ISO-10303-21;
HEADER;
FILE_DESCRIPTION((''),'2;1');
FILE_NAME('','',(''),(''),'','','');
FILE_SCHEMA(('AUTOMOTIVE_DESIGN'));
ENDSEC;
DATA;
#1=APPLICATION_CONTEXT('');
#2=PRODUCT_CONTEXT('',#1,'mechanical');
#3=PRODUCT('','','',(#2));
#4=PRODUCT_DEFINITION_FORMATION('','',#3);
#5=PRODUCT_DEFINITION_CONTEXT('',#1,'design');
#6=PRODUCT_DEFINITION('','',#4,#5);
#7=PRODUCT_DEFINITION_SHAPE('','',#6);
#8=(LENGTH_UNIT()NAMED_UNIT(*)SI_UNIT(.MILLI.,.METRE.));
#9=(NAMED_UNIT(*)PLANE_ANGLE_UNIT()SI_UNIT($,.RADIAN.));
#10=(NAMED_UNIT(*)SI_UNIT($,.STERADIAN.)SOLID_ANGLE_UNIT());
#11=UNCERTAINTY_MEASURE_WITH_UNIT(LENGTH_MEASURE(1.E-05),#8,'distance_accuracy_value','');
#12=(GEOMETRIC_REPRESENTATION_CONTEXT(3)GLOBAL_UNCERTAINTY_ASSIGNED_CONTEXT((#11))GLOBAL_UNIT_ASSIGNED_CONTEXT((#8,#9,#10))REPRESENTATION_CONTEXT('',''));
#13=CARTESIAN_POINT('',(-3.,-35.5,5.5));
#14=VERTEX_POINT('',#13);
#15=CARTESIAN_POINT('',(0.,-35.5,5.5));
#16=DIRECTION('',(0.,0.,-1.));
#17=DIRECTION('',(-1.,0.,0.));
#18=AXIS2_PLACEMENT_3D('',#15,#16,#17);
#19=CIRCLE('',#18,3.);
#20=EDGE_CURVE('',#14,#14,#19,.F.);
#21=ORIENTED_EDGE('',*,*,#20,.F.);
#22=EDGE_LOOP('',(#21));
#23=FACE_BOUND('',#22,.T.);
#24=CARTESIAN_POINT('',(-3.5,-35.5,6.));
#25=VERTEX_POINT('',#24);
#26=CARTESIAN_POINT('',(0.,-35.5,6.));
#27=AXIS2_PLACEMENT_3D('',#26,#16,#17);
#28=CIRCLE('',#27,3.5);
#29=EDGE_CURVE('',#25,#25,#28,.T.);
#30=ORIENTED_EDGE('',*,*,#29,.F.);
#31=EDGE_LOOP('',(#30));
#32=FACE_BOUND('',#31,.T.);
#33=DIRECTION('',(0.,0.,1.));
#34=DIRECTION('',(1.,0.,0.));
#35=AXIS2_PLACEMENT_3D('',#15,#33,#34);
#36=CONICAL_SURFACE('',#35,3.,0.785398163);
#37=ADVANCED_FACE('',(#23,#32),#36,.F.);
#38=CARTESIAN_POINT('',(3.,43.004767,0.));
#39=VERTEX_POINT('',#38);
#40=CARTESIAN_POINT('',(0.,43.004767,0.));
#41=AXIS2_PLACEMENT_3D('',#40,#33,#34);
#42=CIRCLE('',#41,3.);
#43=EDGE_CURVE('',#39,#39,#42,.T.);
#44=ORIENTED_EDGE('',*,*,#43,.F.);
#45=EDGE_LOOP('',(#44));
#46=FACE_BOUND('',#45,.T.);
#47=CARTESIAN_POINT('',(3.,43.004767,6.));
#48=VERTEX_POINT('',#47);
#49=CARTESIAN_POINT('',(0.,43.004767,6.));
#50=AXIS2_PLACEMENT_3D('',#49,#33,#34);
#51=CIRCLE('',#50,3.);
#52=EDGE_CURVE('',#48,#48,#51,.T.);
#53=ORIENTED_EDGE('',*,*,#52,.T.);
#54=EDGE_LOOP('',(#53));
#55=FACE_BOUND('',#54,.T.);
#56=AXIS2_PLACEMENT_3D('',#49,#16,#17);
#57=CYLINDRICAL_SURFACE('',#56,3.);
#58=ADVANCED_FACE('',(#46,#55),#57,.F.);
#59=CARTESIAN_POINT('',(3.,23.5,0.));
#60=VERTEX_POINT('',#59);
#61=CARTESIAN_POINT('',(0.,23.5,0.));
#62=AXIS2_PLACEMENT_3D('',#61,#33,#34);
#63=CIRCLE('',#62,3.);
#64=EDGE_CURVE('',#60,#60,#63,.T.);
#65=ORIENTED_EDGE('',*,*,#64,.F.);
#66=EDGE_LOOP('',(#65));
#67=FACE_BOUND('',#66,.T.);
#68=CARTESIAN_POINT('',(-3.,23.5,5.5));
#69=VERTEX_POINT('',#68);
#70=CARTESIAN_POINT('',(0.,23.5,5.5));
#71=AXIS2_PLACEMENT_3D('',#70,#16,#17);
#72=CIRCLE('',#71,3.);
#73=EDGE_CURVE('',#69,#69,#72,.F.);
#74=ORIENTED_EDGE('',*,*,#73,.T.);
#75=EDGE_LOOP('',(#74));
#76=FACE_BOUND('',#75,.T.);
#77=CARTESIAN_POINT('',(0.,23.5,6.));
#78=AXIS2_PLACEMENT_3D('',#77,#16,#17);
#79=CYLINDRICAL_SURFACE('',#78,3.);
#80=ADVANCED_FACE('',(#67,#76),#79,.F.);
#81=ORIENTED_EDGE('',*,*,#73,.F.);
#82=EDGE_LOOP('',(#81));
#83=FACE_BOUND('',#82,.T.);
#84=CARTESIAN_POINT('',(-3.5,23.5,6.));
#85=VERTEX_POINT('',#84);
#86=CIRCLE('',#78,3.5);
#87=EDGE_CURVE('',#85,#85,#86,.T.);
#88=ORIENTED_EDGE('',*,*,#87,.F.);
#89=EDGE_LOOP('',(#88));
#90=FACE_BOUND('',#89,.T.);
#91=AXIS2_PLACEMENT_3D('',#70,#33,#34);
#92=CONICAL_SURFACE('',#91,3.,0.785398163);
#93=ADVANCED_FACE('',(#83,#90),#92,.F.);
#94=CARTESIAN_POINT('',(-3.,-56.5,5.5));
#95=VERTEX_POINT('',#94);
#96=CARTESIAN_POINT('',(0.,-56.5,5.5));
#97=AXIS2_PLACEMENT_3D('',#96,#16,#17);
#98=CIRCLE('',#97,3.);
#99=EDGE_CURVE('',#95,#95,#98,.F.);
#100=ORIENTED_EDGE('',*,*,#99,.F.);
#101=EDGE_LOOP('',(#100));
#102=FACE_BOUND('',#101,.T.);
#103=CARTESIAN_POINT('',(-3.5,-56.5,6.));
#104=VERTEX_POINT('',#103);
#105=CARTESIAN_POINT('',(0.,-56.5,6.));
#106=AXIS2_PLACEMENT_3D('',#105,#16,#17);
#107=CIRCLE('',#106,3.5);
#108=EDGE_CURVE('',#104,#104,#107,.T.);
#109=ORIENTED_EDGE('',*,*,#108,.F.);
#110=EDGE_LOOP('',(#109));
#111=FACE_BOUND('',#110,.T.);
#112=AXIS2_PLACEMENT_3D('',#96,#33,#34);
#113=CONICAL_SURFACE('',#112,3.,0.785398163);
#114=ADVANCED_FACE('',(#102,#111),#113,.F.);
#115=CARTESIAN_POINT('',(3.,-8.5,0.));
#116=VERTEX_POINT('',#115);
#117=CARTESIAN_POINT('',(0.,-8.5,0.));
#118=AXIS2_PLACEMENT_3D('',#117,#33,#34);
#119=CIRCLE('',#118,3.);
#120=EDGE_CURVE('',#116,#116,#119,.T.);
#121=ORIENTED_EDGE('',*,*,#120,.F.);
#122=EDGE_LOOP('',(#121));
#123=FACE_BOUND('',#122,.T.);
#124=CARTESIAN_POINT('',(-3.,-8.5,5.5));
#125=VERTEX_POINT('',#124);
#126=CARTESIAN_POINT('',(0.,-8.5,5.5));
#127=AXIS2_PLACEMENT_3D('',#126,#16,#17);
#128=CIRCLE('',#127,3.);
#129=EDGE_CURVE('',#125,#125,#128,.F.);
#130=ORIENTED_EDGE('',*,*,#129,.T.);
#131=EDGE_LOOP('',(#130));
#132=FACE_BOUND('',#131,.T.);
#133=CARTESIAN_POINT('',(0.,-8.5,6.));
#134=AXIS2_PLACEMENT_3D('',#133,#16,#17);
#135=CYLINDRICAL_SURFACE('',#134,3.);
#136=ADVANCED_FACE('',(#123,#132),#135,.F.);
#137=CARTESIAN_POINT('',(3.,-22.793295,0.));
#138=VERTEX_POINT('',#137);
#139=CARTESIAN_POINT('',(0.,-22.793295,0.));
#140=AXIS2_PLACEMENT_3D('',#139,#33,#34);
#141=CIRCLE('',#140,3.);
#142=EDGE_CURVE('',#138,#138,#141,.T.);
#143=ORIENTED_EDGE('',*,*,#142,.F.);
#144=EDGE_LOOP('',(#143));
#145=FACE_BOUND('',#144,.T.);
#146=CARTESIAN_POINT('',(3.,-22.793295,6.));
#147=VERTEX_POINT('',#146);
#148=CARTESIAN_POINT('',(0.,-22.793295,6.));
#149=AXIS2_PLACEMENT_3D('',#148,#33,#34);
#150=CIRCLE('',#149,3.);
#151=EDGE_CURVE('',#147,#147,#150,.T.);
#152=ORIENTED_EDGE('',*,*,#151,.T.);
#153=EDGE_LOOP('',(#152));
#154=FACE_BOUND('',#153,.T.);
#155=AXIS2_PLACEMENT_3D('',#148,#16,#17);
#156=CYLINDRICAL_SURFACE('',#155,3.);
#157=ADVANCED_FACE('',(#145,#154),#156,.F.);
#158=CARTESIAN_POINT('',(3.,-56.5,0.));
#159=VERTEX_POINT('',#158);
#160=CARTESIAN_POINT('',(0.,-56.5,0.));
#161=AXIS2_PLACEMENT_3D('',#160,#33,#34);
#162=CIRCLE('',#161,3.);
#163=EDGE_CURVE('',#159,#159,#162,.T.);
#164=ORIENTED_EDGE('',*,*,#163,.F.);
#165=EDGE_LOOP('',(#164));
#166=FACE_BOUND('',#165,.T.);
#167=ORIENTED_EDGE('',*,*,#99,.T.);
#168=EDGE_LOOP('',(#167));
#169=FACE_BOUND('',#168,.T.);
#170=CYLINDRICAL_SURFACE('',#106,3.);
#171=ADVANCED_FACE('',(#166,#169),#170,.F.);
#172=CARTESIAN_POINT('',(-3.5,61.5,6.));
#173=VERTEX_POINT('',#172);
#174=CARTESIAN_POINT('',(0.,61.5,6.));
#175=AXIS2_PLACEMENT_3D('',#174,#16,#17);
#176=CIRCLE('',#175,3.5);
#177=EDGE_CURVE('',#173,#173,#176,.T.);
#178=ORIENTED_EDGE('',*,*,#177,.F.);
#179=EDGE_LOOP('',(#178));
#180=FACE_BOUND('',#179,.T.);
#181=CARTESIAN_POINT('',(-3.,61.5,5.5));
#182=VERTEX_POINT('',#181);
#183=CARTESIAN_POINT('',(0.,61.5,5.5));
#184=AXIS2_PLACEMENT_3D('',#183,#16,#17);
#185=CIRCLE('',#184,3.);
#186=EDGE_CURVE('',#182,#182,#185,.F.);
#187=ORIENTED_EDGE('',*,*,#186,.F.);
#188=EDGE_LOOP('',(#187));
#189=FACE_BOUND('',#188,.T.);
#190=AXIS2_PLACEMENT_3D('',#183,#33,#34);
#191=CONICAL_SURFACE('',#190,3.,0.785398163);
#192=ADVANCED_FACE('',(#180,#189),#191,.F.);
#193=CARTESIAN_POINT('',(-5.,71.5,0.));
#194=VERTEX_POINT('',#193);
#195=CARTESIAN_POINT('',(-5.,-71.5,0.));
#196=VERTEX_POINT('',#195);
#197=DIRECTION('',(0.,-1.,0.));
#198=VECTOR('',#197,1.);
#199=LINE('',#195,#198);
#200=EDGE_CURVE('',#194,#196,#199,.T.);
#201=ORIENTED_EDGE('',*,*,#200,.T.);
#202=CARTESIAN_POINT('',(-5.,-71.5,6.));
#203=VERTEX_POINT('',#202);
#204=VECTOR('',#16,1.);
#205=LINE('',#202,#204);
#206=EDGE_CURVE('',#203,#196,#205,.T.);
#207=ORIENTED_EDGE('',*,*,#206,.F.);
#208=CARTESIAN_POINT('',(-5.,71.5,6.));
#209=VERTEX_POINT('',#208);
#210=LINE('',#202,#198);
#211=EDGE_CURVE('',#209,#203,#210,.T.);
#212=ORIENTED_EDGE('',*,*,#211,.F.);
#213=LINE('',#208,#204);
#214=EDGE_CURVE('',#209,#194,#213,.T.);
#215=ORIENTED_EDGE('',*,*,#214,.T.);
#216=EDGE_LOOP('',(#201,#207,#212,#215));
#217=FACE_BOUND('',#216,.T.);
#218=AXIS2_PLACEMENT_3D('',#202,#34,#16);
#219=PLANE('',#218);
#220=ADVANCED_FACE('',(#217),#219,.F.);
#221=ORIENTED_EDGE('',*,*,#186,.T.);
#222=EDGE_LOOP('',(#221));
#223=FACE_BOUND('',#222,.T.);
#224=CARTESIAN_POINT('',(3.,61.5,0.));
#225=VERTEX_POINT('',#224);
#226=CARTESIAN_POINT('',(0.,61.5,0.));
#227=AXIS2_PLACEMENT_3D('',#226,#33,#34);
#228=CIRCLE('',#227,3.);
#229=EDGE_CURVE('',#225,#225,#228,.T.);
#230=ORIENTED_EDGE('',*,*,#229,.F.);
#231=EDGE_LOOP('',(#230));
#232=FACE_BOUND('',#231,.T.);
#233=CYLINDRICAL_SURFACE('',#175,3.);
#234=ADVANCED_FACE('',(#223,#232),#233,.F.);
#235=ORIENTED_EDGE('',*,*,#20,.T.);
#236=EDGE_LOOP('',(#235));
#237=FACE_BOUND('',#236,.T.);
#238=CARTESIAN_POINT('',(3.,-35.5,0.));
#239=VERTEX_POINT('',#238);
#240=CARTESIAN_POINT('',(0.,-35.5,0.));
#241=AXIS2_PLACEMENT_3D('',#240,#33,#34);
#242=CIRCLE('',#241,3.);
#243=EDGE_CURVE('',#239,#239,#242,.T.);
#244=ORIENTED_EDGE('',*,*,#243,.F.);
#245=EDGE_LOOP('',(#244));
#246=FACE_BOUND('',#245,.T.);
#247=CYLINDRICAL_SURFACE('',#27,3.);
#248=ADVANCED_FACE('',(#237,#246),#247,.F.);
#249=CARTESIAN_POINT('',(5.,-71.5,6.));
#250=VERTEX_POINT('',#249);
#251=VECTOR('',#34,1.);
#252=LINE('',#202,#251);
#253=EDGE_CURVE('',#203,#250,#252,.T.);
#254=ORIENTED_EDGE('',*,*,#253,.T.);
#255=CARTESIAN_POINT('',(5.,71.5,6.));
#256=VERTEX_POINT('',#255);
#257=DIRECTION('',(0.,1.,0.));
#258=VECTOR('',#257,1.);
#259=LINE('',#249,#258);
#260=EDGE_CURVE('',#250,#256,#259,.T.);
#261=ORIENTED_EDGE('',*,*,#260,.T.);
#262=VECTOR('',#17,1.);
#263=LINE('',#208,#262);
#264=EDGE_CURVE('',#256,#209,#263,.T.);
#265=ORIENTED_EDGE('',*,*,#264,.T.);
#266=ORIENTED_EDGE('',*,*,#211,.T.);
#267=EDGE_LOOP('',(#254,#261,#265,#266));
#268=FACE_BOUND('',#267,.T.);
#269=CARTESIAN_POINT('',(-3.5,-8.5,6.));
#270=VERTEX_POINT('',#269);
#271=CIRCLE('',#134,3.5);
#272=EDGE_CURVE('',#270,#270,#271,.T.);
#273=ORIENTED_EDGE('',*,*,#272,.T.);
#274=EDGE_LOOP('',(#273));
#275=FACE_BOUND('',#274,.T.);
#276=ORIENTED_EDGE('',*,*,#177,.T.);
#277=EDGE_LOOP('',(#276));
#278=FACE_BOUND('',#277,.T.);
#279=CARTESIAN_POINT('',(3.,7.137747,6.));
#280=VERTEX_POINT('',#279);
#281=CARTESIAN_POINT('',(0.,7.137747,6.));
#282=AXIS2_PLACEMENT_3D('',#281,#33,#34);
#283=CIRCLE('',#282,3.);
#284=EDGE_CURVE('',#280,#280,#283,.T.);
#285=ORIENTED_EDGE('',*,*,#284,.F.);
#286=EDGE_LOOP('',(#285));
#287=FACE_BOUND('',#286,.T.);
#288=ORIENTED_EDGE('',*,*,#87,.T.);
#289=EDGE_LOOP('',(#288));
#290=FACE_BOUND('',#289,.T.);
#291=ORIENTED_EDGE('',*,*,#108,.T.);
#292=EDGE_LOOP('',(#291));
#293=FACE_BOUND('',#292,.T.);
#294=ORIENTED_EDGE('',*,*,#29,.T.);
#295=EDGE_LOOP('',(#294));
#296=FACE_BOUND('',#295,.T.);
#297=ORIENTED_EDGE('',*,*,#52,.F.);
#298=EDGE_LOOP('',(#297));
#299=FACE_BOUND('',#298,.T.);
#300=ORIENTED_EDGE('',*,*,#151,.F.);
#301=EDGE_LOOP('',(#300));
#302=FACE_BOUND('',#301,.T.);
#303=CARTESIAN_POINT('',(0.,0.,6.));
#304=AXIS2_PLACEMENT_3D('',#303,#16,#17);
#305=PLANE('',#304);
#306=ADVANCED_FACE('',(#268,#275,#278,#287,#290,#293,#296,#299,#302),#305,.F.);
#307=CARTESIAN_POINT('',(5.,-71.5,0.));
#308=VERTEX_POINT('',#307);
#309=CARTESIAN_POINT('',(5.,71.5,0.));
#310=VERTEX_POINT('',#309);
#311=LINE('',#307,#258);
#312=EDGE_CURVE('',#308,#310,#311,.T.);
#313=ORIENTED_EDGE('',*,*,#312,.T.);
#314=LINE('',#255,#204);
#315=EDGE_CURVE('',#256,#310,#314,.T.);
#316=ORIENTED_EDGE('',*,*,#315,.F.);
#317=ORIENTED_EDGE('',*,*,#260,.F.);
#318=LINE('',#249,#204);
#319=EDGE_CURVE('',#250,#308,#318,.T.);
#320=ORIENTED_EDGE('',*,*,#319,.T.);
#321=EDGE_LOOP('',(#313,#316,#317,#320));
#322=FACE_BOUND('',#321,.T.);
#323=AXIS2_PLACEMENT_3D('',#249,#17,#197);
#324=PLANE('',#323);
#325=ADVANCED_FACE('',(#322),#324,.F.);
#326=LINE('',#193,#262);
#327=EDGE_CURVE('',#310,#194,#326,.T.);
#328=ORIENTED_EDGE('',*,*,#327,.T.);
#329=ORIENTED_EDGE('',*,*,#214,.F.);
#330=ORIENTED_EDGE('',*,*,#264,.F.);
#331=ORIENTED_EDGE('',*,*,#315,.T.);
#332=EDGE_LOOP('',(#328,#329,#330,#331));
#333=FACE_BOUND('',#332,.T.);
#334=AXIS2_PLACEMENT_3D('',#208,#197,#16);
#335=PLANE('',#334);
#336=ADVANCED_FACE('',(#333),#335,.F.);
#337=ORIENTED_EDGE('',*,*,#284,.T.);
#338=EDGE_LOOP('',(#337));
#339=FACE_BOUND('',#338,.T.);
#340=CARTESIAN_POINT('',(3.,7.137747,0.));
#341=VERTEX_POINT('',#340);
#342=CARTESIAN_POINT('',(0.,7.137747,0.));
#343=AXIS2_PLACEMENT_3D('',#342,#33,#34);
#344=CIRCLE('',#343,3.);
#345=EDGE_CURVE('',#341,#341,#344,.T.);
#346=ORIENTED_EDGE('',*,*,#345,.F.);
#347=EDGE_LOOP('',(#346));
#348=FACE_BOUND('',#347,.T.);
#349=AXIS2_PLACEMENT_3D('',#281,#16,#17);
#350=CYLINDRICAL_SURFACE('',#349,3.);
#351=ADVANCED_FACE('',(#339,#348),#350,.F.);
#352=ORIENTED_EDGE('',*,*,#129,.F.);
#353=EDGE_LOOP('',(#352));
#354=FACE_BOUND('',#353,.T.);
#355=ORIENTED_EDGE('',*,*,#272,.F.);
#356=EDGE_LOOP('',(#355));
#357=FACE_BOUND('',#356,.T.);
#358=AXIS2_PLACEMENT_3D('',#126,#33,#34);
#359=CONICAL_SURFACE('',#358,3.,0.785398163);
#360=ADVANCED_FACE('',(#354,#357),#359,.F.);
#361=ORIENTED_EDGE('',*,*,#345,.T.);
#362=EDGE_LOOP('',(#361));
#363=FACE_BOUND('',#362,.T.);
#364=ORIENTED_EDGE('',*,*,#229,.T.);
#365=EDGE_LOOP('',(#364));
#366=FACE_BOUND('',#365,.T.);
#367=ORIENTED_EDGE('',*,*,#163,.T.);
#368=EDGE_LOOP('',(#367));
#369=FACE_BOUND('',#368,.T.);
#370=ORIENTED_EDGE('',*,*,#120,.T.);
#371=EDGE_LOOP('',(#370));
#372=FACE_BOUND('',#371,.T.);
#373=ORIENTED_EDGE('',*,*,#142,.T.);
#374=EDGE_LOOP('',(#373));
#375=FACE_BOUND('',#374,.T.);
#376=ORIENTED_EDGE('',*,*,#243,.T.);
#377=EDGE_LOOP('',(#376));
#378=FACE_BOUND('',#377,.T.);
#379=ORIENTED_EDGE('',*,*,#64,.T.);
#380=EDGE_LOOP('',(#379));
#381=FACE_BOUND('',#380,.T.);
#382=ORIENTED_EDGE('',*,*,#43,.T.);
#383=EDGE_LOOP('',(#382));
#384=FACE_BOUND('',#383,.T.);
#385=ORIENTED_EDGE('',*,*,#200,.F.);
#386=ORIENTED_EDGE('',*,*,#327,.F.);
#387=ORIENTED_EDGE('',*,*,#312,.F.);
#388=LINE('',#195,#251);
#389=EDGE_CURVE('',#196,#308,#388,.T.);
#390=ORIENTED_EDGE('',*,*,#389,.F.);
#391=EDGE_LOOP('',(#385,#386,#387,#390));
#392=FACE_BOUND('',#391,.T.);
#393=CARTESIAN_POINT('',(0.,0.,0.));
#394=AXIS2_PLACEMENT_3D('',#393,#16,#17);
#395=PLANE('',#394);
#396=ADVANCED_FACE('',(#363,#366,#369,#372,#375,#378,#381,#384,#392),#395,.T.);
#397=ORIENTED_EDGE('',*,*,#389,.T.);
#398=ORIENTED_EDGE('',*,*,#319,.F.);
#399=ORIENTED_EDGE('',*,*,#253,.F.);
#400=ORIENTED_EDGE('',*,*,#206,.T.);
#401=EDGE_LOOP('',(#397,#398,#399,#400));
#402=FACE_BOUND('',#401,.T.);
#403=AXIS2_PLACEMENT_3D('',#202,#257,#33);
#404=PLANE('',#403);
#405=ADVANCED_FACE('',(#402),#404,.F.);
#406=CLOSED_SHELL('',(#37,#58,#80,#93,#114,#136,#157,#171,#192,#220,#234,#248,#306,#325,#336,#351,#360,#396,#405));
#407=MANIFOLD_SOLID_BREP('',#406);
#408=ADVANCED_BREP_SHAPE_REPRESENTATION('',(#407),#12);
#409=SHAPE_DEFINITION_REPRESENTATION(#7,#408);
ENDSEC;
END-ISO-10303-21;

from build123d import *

# Parameters (mm, degrees)
SKETCH1_W           = 10
SKETCH1_H           = 143
SKETCH1_R           = 3
BOSS_EXTRUDE1_DEPTH = 6
CHAMFER1_SIZE       = 0.5


with BuildPart() as part:
    # Sketch1 → Boss-Extrude1 (new body)
    with BuildSketch(Plane.XY):
        Rectangle(SKETCH1_W, SKETCH1_H)
        with Locations((0, -56.5)):
            Circle(SKETCH1_R, mode=Mode.SUBTRACT)
        with Locations((0, -35.5)):
            Circle(SKETCH1_R, mode=Mode.SUBTRACT)
        with Locations((0, -8.5)):
            Circle(SKETCH1_R, mode=Mode.SUBTRACT)
        with Locations((0, 23.5)):
            Circle(SKETCH1_R, mode=Mode.SUBTRACT)
        with Locations((0, 61.5)):
            Circle(SKETCH1_R, mode=Mode.SUBTRACT)
        with Locations((0, 43.004767178)):
            Circle(SKETCH1_R, mode=Mode.SUBTRACT)
        with Locations((0, 7.137747133)):
            Circle(SKETCH1_R, mode=Mode.SUBTRACT)
        with Locations((0, -22.793294966)):
            Circle(SKETCH1_R, mode=Mode.SUBTRACT)
    extrude(amount=BOSS_EXTRUDE1_DEPTH)

    # Chamfer1
    chamfer1_edges = [part.edges().sort_by_distance(p)[0] for p in [
        (-3, -56.5, 6),
        (-3, -35.5, 6),
        (-3, -8.5, 6),
        (-3, 23.5, 6),
        (-3, 61.5, 6),
    ]]
    chamfer(chamfer1_edges, length=CHAMFER1_SIZE)


solid = part.part
